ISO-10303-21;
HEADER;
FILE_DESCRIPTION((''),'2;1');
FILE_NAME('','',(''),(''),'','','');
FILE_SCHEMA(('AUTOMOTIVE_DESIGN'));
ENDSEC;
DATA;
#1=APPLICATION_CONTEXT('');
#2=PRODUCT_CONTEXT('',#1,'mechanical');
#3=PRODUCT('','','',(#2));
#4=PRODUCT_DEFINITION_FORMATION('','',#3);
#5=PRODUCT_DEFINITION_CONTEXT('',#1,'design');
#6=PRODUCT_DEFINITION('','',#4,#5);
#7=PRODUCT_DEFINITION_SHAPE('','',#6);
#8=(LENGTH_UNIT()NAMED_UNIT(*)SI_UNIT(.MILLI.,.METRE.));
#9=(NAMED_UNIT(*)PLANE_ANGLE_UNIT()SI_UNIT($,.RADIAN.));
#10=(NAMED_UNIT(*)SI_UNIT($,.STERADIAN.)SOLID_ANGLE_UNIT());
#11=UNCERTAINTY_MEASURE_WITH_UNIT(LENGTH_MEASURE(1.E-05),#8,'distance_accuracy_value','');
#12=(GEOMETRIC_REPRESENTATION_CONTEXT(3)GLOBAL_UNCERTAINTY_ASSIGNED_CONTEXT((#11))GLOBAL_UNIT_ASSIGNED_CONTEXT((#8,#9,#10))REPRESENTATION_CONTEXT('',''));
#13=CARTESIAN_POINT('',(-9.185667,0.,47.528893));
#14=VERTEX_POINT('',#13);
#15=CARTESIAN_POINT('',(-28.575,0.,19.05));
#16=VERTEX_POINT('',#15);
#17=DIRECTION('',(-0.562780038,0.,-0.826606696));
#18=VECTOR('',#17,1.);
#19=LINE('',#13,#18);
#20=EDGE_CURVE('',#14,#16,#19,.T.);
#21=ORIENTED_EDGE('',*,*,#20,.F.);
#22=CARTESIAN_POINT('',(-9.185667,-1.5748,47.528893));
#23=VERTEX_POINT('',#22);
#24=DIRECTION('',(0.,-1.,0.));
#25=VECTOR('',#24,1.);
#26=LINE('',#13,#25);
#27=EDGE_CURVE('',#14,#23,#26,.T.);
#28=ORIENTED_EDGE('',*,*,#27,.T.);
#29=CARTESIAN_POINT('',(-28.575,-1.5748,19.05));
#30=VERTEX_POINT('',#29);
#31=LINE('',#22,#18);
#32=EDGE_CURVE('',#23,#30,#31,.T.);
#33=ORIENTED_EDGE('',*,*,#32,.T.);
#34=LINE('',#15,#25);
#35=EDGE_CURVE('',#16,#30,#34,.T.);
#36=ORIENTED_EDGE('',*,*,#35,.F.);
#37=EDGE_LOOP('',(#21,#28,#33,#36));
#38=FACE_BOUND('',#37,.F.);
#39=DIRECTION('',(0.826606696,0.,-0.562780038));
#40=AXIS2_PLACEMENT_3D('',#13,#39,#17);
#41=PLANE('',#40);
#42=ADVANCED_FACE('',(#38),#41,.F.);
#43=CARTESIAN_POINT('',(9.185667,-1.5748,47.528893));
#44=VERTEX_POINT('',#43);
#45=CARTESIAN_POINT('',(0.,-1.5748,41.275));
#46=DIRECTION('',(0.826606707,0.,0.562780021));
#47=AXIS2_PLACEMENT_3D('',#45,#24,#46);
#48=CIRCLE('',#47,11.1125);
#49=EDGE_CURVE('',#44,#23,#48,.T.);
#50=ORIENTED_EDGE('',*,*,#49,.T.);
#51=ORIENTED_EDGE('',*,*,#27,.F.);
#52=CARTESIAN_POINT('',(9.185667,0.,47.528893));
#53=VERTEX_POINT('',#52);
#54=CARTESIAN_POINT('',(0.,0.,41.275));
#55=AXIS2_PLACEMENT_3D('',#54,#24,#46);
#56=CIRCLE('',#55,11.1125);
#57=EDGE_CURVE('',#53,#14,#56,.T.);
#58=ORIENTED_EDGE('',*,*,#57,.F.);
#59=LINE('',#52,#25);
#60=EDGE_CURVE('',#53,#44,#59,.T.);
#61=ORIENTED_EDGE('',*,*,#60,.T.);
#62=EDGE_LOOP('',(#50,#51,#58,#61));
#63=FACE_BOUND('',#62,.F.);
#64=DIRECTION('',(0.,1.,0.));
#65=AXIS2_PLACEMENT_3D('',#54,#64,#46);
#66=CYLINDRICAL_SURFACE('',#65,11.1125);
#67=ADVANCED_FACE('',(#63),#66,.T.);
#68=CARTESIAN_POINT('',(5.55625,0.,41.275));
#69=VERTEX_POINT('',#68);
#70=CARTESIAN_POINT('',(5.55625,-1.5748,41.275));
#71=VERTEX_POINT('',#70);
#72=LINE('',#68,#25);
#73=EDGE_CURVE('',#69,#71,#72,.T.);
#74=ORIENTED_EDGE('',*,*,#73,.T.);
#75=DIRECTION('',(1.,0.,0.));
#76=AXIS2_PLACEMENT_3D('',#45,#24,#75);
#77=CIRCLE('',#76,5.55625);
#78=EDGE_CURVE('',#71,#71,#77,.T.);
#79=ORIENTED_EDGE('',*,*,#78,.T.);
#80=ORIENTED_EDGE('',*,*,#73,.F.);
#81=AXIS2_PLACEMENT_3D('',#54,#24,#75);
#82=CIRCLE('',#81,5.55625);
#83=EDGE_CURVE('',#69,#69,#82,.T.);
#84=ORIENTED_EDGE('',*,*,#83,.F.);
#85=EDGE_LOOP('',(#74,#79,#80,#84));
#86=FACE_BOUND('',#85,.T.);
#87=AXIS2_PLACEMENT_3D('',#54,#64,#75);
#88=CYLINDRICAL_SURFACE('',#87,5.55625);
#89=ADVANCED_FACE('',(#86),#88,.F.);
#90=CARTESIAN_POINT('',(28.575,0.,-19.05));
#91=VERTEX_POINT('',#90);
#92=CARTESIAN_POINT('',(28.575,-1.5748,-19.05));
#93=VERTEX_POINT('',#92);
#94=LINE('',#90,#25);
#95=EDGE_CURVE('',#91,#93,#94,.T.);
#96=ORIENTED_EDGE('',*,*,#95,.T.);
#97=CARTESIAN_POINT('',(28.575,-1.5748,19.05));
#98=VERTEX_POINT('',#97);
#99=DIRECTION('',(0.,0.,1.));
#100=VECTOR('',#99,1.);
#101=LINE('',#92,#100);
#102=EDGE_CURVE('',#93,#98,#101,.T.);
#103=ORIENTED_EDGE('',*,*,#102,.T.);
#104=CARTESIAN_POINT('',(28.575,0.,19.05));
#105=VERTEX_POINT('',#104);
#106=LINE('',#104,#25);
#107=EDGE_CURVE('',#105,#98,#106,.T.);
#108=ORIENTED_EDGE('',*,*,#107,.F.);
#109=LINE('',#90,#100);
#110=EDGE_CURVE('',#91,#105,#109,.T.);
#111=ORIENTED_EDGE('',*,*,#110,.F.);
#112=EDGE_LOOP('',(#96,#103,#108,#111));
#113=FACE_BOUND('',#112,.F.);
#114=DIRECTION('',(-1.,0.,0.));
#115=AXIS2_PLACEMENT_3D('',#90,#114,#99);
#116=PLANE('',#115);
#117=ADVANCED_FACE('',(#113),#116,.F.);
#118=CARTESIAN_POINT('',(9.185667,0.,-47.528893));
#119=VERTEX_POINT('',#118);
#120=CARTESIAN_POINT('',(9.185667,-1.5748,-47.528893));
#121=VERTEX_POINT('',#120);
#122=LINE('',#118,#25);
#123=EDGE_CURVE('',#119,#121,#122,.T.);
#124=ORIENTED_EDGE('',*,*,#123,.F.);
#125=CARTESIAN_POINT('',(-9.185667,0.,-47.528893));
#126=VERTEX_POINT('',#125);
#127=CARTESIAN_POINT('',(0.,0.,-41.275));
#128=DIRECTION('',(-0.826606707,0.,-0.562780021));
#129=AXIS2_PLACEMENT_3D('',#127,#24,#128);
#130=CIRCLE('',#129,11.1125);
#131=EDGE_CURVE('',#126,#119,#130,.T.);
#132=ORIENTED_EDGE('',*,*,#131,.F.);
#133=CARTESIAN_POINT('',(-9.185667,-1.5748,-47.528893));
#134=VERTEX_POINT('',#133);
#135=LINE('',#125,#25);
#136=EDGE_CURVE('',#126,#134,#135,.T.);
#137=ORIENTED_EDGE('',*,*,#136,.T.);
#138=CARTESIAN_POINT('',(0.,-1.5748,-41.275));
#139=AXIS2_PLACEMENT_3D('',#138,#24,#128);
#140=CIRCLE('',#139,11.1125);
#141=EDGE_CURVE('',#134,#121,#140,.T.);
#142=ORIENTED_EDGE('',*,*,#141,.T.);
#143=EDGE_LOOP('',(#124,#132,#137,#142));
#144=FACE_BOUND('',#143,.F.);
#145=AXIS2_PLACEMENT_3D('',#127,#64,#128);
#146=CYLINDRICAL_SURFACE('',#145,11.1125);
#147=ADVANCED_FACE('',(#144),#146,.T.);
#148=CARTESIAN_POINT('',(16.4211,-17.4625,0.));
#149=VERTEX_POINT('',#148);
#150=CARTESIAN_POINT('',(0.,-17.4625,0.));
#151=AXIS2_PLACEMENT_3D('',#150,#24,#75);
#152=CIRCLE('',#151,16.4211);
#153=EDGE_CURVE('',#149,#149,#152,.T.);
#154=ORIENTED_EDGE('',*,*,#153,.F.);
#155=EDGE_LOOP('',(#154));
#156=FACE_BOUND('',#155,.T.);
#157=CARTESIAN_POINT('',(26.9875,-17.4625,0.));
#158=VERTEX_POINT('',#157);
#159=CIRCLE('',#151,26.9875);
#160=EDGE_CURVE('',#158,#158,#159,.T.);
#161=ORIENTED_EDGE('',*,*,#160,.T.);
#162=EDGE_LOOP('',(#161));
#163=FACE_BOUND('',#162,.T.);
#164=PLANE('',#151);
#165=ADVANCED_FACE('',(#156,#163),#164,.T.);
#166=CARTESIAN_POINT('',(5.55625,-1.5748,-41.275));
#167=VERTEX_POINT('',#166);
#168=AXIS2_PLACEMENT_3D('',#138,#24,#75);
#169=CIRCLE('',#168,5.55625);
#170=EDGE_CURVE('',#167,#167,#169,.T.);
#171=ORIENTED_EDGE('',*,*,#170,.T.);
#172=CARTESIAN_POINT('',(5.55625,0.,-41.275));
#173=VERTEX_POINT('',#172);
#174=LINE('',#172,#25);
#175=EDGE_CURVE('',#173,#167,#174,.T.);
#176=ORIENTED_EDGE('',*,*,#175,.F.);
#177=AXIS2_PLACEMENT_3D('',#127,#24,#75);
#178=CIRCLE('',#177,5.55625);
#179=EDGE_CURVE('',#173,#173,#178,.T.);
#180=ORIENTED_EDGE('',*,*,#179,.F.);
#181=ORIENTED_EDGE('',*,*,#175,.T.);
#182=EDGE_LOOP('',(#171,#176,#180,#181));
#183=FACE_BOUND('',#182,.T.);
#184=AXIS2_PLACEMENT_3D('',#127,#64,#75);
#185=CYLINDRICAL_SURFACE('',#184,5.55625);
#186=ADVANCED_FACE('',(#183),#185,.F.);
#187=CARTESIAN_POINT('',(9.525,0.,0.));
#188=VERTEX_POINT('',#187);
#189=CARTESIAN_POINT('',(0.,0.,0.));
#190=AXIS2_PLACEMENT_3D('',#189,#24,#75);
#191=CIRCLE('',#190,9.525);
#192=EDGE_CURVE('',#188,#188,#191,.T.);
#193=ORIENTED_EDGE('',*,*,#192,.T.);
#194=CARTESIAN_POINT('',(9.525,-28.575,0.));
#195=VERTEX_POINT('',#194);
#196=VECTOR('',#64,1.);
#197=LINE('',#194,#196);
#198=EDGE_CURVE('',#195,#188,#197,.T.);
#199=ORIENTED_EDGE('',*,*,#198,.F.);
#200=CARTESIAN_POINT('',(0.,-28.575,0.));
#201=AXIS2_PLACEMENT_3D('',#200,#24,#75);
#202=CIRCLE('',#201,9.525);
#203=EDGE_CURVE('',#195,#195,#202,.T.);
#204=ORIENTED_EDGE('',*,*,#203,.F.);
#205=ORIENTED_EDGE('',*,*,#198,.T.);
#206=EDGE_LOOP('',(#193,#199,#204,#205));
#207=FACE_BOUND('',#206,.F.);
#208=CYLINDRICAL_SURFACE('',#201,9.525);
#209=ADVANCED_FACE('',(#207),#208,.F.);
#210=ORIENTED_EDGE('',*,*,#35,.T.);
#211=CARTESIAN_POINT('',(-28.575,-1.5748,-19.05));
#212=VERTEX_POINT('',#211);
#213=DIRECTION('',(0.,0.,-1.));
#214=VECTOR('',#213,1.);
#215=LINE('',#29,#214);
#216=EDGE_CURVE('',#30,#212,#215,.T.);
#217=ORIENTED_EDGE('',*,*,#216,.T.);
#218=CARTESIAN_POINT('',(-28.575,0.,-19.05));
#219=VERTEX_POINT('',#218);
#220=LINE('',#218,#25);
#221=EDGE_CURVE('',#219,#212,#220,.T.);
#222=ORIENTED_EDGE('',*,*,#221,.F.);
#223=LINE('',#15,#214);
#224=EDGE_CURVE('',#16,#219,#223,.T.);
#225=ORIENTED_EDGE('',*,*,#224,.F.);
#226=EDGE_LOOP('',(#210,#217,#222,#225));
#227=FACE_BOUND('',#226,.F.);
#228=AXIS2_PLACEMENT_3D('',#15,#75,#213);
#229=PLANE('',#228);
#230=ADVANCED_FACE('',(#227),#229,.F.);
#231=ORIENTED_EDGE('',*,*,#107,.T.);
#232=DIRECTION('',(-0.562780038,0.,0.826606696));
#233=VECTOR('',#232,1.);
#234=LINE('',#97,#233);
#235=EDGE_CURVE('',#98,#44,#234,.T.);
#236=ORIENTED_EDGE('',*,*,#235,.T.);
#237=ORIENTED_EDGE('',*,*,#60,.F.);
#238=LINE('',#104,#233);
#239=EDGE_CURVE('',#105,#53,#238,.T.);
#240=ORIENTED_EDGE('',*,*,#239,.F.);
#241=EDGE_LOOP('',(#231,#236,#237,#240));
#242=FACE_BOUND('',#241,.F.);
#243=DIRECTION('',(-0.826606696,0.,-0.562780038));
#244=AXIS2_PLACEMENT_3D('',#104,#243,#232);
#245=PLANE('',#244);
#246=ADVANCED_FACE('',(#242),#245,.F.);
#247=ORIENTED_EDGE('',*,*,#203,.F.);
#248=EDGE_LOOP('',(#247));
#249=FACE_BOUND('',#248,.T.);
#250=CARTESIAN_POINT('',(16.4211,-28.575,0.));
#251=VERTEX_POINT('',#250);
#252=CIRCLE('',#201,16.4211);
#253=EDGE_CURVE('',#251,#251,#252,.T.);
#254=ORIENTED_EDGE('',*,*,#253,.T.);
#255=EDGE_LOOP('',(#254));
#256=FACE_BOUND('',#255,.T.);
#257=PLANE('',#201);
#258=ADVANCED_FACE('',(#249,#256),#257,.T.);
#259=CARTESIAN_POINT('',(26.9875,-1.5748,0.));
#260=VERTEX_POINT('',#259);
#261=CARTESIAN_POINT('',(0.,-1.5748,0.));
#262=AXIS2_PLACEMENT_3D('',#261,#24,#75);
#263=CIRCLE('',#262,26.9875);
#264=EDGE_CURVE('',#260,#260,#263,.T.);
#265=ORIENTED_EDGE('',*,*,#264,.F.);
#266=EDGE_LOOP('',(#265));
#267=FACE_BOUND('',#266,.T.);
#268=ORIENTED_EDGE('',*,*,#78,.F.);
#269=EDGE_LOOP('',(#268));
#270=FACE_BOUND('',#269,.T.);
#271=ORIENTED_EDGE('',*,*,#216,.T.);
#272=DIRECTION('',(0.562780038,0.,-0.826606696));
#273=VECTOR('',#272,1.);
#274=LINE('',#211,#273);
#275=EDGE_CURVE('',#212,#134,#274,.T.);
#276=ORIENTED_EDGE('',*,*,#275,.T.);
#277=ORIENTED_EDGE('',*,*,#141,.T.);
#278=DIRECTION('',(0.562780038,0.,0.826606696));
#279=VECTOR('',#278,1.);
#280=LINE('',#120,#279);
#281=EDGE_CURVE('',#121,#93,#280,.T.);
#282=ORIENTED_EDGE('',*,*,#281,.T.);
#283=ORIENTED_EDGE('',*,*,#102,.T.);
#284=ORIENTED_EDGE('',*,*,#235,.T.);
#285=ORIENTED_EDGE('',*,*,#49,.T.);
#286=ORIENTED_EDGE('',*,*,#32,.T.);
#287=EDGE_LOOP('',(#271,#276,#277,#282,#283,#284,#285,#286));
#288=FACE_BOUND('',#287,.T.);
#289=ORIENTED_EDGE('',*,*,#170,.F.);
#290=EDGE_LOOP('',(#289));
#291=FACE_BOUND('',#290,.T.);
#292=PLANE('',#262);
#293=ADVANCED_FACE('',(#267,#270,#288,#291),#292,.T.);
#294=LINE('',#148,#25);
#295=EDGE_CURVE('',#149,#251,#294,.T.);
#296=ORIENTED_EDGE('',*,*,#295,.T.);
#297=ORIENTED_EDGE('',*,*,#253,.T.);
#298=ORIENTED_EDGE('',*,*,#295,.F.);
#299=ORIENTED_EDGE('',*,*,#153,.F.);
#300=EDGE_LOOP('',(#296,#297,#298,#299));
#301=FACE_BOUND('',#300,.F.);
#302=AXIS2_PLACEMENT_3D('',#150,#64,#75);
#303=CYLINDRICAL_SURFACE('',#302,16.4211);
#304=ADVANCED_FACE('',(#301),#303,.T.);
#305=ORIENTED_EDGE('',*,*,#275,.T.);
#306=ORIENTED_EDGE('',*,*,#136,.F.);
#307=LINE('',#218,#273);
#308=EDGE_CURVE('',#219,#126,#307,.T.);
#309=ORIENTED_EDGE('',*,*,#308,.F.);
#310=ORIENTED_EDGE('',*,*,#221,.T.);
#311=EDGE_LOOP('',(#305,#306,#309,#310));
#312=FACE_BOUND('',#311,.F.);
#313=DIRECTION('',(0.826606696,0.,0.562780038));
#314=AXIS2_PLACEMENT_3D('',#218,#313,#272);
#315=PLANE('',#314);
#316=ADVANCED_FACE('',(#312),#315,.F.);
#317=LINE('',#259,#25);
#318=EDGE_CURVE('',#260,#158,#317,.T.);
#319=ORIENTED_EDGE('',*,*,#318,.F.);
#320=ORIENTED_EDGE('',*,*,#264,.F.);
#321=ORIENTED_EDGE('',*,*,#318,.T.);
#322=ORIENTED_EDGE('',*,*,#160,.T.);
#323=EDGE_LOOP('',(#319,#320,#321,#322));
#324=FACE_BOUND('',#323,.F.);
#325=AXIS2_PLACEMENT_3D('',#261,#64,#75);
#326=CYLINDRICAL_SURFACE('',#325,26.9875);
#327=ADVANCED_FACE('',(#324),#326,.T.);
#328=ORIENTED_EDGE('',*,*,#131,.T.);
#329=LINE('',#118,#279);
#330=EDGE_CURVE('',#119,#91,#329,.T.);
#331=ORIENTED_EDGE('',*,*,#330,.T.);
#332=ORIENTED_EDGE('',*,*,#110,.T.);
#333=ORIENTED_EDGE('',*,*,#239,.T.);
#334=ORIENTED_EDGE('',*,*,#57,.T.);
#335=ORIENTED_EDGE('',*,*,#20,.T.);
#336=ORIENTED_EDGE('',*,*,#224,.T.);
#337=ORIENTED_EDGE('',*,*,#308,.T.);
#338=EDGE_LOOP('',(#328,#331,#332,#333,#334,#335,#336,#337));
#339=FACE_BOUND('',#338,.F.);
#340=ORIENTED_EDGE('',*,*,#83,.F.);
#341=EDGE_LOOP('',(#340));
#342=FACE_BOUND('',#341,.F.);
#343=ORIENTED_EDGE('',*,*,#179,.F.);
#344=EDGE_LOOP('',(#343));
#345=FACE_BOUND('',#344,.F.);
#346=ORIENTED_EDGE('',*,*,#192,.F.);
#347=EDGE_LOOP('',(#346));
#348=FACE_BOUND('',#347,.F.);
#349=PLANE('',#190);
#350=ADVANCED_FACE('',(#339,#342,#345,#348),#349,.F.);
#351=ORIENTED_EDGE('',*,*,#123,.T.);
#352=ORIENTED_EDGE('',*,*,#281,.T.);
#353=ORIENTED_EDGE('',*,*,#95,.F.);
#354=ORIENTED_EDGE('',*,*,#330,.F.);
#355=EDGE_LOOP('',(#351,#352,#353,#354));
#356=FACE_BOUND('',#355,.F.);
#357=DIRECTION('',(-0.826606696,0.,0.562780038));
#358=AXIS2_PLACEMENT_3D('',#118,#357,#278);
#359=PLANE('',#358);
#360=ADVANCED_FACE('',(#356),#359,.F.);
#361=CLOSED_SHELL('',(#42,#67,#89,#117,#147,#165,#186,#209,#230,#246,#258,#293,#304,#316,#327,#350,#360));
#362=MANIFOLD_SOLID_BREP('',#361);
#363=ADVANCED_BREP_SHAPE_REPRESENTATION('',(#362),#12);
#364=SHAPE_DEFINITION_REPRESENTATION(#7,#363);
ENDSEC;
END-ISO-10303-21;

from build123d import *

# Parameters (mm, degrees)
F0_R     = 5.55625
F1_DEPTH = 1.5748
F2_R     = 26.9875
F3_DEPTH = 15.8877
F4_R     = 16.4211
F5_DEPTH = 11.1125
F6_R     = 9.525
F7_DEPTH = 28.575


with BuildPart() as f1:
    # F0 (on Front) → F1 (new body)
    with BuildSketch(Plane.XZ):
        with BuildLine():
            Line((28.575, 19.05), (9.185667, 47.528893))
            ThreePointArc((9.185667, 47.528893), (0, 52.3875), (-9.185667, 47.528893))
            Line((-9.185667, 47.528893), (-28.575, 19.05))
            Line((-28.575, 19.05), (-28.575, -19.05))
            Line((-28.575, -19.05), (-9.185667, -47.528893))
            ThreePointArc((-9.185667, -47.528893), (0, -52.3875), (9.185667, -47.528893))
            Line((9.185667, -47.528893), (28.575, -19.05))
            Line((28.575, -19.05), (28.575, 19.05))
        make_face()
        with Locations((0, -41.275)):
            Circle(F0_R, mode=Mode.SUBTRACT)
        with Locations((0, 41.275)):
            Circle(F0_R, mode=Mode.SUBTRACT)
    extrude(amount=F1_DEPTH)

    # F2 (on face) → F3 (join)
    with BuildSketch(Plane.XZ.offset(1.5748)):
        Circle(F2_R)
    extrude(amount=F3_DEPTH)

    # F4 (on face) → F5 (join)
    with BuildSketch(Plane.XZ.offset(17.4625)):
        Circle(F4_R)
    extrude(amount=F5_DEPTH)

    # F6 (on face) → F7 (cut, through all)
    with BuildSketch(Plane.XZ.offset(28.575)):
        Circle(F6_R)
    extrude(amount=-F7_DEPTH, mode=Mode.SUBTRACT)


solid = f1.part
